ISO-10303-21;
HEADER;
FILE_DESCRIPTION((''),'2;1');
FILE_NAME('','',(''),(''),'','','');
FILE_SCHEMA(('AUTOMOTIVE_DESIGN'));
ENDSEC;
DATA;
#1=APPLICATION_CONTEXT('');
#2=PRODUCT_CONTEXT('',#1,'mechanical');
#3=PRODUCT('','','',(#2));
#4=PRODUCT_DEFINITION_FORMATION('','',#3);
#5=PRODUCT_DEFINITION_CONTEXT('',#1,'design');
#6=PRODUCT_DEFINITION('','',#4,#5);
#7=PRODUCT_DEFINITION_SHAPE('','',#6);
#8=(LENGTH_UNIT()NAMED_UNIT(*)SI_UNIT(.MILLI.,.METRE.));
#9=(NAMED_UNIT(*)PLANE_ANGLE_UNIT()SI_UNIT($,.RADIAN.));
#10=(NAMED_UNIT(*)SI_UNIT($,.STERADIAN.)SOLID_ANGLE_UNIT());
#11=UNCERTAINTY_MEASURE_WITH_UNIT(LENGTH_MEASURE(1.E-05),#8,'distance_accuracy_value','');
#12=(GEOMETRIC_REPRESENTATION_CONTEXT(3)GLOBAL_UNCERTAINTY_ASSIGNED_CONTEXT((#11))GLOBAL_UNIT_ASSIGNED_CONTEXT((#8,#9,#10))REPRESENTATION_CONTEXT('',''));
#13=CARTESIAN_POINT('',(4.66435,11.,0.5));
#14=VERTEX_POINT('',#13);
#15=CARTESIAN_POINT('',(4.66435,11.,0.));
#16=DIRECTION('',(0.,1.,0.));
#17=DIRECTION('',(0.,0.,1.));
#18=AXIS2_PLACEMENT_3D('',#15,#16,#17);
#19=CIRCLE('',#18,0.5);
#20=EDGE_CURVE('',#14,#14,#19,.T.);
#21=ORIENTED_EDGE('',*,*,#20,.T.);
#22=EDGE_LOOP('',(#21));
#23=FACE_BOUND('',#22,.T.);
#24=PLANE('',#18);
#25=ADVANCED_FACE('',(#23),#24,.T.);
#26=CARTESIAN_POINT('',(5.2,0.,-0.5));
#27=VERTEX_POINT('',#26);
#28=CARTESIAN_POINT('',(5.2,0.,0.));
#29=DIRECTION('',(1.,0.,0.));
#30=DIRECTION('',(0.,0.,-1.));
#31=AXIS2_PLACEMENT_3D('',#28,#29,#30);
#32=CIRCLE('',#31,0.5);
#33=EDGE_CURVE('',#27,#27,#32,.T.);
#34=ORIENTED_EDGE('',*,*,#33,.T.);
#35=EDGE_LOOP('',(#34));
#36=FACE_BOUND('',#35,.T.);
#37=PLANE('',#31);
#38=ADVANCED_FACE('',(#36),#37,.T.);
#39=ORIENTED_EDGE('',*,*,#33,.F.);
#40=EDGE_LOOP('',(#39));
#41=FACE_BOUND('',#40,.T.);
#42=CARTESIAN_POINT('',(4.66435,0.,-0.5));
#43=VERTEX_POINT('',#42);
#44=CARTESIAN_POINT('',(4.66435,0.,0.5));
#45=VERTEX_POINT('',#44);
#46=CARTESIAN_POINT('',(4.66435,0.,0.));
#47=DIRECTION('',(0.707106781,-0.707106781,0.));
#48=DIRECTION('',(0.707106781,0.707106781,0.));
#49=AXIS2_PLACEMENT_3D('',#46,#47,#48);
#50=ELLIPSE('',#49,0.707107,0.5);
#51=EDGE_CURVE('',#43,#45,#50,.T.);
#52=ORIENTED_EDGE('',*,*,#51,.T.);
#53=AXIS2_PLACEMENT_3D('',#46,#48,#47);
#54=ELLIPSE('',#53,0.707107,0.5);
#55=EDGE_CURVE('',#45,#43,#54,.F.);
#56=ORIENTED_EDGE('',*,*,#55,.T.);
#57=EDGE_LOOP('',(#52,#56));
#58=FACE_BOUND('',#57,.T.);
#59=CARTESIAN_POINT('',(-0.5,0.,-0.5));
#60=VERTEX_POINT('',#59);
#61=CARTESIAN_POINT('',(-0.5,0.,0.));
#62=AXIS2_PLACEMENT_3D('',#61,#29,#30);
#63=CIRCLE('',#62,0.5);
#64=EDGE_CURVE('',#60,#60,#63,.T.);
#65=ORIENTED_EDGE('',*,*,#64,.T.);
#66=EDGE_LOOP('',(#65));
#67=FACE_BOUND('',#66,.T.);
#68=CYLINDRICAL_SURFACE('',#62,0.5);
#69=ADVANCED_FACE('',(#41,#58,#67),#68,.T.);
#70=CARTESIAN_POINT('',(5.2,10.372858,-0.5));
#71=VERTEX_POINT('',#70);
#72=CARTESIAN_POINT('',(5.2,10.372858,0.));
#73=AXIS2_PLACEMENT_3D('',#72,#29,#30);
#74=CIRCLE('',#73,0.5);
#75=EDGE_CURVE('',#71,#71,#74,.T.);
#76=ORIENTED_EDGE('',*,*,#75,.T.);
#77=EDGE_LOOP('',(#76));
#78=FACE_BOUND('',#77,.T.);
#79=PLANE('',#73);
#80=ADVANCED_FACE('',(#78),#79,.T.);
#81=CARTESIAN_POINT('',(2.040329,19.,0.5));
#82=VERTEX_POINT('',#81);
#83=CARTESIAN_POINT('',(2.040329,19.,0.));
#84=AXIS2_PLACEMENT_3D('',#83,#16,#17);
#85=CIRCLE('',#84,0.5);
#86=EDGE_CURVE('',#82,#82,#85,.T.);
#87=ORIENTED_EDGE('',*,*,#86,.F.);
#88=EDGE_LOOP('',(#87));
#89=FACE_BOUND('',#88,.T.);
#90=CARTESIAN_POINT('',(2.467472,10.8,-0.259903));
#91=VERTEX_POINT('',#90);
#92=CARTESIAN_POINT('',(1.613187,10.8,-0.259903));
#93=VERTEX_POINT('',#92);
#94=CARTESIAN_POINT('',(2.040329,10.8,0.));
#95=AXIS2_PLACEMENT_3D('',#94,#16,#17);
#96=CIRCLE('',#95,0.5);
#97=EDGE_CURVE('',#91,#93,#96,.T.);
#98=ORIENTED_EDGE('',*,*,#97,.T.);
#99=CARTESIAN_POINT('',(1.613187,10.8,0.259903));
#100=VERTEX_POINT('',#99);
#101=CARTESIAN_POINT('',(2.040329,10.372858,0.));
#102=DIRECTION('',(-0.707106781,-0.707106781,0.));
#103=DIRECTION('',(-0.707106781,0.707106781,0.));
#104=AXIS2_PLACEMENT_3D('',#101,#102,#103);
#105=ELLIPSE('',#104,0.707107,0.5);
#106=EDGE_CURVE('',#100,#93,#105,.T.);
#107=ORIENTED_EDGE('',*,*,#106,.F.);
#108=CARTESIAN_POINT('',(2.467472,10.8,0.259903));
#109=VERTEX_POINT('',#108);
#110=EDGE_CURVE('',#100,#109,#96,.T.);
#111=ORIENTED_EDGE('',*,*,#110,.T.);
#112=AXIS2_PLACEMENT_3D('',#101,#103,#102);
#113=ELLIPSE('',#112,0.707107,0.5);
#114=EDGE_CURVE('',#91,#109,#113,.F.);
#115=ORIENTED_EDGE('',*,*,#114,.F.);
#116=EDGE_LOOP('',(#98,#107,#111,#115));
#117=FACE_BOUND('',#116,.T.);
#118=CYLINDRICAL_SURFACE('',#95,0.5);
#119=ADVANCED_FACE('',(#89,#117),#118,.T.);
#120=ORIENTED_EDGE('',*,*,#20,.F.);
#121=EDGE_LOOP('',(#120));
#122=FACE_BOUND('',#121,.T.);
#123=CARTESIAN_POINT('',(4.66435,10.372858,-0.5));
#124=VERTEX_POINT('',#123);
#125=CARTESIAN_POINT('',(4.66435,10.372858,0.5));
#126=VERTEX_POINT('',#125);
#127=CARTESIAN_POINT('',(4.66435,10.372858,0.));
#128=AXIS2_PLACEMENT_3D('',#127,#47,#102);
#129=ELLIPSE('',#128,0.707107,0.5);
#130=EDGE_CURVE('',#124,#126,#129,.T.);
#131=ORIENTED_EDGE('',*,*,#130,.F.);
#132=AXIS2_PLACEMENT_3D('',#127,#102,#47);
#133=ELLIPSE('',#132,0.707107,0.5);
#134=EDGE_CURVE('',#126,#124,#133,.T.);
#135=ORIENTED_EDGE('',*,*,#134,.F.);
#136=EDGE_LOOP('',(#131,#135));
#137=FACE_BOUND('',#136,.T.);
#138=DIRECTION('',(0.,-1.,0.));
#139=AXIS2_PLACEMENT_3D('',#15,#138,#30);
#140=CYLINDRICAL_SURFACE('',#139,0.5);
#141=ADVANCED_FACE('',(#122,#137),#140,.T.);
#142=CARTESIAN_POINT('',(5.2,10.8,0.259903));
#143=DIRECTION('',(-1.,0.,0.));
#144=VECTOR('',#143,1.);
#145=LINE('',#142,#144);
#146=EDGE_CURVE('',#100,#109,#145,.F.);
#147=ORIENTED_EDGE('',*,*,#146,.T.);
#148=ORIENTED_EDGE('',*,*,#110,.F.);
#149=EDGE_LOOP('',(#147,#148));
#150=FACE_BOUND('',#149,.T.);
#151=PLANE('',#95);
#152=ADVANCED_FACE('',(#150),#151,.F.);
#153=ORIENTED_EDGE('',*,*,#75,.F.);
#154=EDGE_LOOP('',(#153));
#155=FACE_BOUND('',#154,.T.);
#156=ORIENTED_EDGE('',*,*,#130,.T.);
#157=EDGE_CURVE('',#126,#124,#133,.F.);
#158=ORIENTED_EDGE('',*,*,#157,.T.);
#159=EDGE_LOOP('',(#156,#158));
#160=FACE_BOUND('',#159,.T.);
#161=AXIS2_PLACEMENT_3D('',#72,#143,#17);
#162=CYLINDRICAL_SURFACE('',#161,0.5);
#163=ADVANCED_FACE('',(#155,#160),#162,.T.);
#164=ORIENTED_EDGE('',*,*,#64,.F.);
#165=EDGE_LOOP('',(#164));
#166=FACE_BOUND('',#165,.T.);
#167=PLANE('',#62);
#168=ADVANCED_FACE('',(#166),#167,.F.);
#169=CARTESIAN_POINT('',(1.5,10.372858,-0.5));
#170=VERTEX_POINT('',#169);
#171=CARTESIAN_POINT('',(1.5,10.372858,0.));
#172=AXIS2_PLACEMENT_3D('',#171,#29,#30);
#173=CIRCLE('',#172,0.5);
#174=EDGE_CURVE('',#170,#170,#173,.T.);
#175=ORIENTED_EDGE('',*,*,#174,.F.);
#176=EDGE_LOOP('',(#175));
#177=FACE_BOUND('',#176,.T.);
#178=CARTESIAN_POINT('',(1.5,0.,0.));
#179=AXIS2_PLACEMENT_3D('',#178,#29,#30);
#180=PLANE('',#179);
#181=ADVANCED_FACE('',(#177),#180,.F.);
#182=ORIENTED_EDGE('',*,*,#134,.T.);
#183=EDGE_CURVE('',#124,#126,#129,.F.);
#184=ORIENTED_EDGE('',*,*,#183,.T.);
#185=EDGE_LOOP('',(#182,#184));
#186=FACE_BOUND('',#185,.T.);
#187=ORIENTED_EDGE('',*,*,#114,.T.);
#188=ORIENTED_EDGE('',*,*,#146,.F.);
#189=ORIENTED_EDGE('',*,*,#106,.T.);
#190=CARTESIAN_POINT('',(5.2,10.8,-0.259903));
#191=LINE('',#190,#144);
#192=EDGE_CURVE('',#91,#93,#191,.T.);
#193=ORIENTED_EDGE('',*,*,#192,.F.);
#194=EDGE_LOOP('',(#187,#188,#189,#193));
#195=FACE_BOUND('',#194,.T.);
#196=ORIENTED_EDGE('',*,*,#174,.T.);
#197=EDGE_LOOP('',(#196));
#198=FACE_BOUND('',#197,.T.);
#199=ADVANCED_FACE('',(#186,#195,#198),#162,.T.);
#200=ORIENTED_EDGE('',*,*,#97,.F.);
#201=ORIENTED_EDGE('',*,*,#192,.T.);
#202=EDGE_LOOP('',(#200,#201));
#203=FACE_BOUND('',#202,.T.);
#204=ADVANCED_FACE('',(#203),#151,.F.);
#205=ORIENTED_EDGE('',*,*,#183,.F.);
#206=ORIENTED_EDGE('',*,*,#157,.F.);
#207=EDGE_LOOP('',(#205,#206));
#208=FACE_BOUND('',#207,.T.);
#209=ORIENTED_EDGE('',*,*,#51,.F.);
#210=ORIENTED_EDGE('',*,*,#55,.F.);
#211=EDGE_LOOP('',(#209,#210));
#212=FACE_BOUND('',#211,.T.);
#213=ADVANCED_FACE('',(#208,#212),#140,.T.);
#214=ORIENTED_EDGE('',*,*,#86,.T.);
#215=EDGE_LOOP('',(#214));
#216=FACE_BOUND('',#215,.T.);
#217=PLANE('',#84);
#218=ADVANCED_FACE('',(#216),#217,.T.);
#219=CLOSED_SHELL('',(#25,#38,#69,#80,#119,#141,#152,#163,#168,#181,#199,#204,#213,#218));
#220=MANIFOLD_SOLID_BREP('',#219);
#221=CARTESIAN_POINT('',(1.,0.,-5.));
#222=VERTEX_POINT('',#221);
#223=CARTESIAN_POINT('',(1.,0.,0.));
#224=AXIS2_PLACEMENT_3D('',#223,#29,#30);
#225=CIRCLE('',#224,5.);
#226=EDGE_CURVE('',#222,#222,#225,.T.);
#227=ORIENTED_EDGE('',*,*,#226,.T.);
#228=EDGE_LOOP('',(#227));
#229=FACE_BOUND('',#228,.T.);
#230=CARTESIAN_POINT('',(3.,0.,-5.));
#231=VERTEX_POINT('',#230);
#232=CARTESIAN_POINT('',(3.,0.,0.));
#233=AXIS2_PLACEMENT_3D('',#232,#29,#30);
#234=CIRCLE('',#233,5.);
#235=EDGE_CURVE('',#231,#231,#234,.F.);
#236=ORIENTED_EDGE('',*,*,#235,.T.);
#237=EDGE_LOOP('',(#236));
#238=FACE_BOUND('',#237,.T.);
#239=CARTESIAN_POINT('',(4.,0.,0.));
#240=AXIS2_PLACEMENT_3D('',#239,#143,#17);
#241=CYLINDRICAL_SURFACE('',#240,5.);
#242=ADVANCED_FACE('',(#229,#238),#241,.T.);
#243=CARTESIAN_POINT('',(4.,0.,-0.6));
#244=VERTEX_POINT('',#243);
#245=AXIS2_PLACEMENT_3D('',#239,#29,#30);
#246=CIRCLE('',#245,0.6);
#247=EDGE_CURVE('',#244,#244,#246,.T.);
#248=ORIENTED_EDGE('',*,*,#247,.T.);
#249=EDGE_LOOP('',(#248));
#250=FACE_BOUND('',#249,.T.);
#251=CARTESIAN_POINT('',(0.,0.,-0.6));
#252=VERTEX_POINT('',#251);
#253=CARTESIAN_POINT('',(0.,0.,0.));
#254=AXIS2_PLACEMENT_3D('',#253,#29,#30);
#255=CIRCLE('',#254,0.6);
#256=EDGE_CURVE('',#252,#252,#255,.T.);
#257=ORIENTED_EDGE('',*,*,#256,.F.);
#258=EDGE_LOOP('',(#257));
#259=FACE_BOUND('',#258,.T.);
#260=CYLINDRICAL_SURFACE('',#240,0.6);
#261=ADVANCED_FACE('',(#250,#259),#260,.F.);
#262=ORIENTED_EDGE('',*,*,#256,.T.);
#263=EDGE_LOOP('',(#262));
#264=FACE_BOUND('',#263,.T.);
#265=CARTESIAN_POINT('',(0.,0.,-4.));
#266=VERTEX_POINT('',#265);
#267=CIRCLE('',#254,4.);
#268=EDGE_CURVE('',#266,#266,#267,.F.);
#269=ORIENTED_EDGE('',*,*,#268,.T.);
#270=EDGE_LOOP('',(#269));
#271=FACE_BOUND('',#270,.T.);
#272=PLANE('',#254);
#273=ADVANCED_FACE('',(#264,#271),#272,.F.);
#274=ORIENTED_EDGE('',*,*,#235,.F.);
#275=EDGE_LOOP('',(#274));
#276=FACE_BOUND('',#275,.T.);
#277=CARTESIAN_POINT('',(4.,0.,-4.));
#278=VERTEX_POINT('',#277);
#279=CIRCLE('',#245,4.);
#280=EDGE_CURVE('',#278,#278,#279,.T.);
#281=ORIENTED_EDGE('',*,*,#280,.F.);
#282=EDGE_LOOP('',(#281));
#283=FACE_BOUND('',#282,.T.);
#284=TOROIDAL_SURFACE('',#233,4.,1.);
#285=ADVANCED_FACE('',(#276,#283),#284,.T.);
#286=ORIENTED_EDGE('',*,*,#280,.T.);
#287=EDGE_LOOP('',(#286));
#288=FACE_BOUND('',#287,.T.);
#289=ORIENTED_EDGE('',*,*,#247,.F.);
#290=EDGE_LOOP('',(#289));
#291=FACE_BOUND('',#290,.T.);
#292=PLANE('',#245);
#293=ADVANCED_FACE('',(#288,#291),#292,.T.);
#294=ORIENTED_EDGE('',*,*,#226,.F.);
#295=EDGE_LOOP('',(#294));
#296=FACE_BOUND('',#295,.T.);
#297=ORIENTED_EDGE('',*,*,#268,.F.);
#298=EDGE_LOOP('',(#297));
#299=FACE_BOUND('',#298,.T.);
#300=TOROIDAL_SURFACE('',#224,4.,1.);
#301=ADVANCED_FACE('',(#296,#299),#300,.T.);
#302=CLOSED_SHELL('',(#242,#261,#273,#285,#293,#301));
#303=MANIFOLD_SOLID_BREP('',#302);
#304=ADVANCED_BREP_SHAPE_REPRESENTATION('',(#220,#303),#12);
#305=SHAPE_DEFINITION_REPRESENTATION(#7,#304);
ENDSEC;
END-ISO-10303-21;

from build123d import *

# Parameters (mm, degrees)
SKETCH1_R                = 5
SKETCH1_R_2              = 0.6
BOSS_EXTRUDE1_DEPTH      = 4
FILLET1_R                = 1
FILLET2_R                = 1
BOSS_EXTRUDE2_DEPTH      = 5.2
BOSS_EXTRUDE2_DEPTH_BACK = 0.5
SKETCH2_R                = 0.5
SKETCH3_R                = 0.5
BOSS_EXTRUDE3_DEPTH      = 11
SKETCH5_R                = 0.5
BOSS_EXTRUDE4_DEPTH      = 5.2
BOSS_EXTRUDE6_DEPTH      = 3
BOSS_EXTRUDE6_DEPTH_BACK = 5.2
SKETCH7_R                = 0.5
SKETCH8_W                = 7.726432721
SKETCH8_H                = 3.897197193
CUT_EXTRUDE1_DEPTH       = 1.5


with BuildPart() as part:
    # Sketch1 → Boss-Extrude1 (new body)
    with BuildSketch(Plane(origin=(0, 0, 0), x_dir=(0, 0, -1), z_dir=(1, 0, 0))):
        Circle(SKETCH1_R)
        Circle(SKETCH1_R_2, mode=Mode.SUBTRACT)
    extrude(amount=BOSS_EXTRUDE1_DEPTH)

    # Fillet1
    fillet1_edges = [part.edges().sort_by_distance(p)[0] for p in [
        (0, 0, 5),
    ]]
    fillet(fillet1_edges, radius=FILLET1_R)

    # Fillet2
    fillet2_edges = [part.edges().sort_by_distance(p)[0] for p in [
        (4, 0, 5),
    ]]
    fillet(fillet2_edges, radius=FILLET2_R)


with BuildPart() as body_2:
    # Sketch2 → Boss-Extrude2 (new, two sides: drawn at the far end of the back side and taken through both)
    with BuildSketch(Plane(origin=(0, 0, 0), x_dir=(0, 0, -1), z_dir=(1, 0, 0)).offset(-BOSS_EXTRUDE2_DEPTH_BACK)):
        Circle(SKETCH2_R)
    extrude(amount=BOSS_EXTRUDE2_DEPTH + BOSS_EXTRUDE2_DEPTH_BACK)

    # Sketch3 → Boss-Extrude3 (add)
    with BuildSketch(Plane(origin=(0, 0, 0), x_dir=(1, 0, 0), z_dir=(0, 1, 0))):
        with Locations(Location((4.664349938, 0, 0), (0, 0, 270))):
            Circle(SKETCH3_R)
    extrude(amount=BOSS_EXTRUDE3_DEPTH)

    # Sketch5 → Boss-Extrude4 (add)
    with BuildSketch(Plane(origin=(0, 0, 0), x_dir=(0, 0, -1), z_dir=(1, 0, 0))):
        with Locations((0, 10.37285766)):
            Circle(SKETCH5_R)
    extrude(amount=BOSS_EXTRUDE4_DEPTH)

    # Sketch7 → Boss-Extrude6 (add, two sides: drawn at the far end of the back side and taken through both)
    with BuildSketch(Plane(origin=(0, 16, 0), x_dir=(1, 0, 0), z_dir=(0, 1, 0)).offset(-BOSS_EXTRUDE6_DEPTH_BACK)):
        with Locations(Location((2.040329442, 0, 0), (0, 0, 270))):
            Circle(SKETCH7_R)
    extrude(amount=BOSS_EXTRUDE6_DEPTH + BOSS_EXTRUDE6_DEPTH_BACK)

    # Sketch8 → Cut-Extrude1 (cut)
    with BuildSketch(Plane.ZY):
        with Locations((-1.600922228, 9.943451596)):
            Rectangle(SKETCH8_W, SKETCH8_H)
    extrude(amount=-CUT_EXTRUDE1_DEPTH, mode=Mode.SUBTRACT)


solid = Compound([part.part, body_2.part])
